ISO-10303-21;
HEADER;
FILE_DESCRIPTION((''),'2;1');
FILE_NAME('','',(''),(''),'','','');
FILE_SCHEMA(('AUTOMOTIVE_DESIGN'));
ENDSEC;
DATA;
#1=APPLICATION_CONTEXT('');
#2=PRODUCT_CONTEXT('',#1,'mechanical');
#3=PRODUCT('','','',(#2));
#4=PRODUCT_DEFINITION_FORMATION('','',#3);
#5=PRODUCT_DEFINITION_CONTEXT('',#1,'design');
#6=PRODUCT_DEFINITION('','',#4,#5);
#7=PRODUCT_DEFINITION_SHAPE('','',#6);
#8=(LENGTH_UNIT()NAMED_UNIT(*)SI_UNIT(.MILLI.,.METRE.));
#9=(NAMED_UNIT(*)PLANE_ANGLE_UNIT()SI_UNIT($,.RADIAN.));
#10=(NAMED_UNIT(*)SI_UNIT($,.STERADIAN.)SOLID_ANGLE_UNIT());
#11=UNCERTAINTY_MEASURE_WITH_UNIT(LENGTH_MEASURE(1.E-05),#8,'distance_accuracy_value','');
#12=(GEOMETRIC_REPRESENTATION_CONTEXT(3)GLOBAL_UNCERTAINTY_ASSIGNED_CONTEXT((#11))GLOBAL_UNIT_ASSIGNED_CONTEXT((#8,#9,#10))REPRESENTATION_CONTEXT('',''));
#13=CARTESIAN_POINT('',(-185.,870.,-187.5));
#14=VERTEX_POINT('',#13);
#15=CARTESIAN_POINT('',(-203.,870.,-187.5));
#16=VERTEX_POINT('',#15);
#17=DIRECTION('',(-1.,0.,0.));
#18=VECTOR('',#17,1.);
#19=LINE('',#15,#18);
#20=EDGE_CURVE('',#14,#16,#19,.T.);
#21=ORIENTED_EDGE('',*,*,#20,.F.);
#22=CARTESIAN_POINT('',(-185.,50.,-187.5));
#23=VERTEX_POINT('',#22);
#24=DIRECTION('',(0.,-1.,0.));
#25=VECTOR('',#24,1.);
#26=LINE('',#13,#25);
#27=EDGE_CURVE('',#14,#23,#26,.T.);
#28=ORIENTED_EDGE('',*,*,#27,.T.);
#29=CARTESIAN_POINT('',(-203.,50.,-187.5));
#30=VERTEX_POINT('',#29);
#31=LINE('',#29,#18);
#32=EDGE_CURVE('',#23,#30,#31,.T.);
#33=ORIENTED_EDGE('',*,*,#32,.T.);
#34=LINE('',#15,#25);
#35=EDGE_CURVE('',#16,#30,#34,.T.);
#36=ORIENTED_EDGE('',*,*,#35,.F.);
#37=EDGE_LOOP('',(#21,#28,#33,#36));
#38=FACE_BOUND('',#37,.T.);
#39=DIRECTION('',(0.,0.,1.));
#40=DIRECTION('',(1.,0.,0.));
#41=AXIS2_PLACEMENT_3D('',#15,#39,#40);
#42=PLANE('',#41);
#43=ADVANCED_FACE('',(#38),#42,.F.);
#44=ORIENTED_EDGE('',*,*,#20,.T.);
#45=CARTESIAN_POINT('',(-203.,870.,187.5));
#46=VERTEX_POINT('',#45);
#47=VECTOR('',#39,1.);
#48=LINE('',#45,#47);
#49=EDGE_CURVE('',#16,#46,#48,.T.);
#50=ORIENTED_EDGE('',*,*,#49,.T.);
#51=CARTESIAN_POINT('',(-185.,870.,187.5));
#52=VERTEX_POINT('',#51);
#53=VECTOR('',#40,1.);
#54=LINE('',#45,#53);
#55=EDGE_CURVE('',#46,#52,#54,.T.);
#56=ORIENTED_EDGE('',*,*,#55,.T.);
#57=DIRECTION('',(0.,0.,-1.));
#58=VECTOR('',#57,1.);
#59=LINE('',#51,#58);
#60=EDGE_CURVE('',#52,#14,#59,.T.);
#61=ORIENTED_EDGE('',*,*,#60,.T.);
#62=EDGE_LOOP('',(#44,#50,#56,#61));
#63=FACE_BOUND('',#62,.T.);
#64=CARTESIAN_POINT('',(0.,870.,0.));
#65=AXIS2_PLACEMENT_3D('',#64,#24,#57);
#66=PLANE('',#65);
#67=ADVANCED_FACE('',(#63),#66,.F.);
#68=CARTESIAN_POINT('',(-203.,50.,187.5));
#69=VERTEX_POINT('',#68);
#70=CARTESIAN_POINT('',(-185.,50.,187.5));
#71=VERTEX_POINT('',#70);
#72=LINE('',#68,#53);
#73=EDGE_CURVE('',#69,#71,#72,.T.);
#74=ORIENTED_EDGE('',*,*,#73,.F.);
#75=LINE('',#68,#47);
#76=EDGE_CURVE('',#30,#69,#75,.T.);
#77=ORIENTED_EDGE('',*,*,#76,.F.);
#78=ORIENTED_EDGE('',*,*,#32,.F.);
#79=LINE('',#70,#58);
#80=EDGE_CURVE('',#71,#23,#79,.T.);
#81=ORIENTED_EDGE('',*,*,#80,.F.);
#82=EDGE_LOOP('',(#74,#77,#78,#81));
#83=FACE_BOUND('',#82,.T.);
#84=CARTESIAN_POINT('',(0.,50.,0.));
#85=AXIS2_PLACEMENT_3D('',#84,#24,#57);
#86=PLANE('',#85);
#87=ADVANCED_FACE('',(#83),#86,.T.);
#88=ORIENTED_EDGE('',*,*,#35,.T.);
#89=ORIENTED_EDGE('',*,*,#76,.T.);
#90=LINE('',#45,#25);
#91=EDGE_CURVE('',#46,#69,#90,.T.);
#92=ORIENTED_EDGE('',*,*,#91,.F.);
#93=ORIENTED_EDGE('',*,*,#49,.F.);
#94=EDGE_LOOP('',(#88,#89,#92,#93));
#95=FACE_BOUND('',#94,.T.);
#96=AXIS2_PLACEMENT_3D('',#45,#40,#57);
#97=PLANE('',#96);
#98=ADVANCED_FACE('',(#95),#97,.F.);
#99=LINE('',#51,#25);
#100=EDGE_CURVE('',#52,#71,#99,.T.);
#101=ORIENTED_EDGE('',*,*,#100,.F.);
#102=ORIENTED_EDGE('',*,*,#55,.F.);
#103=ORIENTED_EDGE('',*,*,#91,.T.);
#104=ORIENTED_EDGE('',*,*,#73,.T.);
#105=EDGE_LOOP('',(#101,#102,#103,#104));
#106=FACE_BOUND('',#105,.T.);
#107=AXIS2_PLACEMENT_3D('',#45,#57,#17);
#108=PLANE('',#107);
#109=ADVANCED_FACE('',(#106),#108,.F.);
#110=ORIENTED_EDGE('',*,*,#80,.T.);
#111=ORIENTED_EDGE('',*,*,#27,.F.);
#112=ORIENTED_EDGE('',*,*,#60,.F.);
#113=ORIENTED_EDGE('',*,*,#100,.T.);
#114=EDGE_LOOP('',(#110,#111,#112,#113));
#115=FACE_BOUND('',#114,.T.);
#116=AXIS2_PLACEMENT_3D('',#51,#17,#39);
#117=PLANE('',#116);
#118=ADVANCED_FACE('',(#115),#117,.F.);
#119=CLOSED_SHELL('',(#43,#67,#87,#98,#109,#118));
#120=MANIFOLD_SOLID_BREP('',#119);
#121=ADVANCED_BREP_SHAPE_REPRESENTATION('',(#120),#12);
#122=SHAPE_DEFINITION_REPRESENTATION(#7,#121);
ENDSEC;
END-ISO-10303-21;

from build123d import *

# Parameters (mm, degrees)
SKPAREDGRANDEOESTE_W   = 18
SKPAREDGRANDEOESTE_H   = 375
PAREDGRANDEOESTE_DEPTH = 820


with BuildPart() as part:
    # SkParedGrandeOeste → ParedGrandeOeste (new body)
    with BuildSketch(Plane(origin=(0, 50, 0), x_dir=(1, 0, 0), z_dir=(0, 1, 0))):
        with Locations((-194, 0)):
            Rectangle(SKPAREDGRANDEOESTE_W, SKPAREDGRANDEOESTE_H)
    extrude(amount=PAREDGRANDEOESTE_DEPTH)


solid = part.part
